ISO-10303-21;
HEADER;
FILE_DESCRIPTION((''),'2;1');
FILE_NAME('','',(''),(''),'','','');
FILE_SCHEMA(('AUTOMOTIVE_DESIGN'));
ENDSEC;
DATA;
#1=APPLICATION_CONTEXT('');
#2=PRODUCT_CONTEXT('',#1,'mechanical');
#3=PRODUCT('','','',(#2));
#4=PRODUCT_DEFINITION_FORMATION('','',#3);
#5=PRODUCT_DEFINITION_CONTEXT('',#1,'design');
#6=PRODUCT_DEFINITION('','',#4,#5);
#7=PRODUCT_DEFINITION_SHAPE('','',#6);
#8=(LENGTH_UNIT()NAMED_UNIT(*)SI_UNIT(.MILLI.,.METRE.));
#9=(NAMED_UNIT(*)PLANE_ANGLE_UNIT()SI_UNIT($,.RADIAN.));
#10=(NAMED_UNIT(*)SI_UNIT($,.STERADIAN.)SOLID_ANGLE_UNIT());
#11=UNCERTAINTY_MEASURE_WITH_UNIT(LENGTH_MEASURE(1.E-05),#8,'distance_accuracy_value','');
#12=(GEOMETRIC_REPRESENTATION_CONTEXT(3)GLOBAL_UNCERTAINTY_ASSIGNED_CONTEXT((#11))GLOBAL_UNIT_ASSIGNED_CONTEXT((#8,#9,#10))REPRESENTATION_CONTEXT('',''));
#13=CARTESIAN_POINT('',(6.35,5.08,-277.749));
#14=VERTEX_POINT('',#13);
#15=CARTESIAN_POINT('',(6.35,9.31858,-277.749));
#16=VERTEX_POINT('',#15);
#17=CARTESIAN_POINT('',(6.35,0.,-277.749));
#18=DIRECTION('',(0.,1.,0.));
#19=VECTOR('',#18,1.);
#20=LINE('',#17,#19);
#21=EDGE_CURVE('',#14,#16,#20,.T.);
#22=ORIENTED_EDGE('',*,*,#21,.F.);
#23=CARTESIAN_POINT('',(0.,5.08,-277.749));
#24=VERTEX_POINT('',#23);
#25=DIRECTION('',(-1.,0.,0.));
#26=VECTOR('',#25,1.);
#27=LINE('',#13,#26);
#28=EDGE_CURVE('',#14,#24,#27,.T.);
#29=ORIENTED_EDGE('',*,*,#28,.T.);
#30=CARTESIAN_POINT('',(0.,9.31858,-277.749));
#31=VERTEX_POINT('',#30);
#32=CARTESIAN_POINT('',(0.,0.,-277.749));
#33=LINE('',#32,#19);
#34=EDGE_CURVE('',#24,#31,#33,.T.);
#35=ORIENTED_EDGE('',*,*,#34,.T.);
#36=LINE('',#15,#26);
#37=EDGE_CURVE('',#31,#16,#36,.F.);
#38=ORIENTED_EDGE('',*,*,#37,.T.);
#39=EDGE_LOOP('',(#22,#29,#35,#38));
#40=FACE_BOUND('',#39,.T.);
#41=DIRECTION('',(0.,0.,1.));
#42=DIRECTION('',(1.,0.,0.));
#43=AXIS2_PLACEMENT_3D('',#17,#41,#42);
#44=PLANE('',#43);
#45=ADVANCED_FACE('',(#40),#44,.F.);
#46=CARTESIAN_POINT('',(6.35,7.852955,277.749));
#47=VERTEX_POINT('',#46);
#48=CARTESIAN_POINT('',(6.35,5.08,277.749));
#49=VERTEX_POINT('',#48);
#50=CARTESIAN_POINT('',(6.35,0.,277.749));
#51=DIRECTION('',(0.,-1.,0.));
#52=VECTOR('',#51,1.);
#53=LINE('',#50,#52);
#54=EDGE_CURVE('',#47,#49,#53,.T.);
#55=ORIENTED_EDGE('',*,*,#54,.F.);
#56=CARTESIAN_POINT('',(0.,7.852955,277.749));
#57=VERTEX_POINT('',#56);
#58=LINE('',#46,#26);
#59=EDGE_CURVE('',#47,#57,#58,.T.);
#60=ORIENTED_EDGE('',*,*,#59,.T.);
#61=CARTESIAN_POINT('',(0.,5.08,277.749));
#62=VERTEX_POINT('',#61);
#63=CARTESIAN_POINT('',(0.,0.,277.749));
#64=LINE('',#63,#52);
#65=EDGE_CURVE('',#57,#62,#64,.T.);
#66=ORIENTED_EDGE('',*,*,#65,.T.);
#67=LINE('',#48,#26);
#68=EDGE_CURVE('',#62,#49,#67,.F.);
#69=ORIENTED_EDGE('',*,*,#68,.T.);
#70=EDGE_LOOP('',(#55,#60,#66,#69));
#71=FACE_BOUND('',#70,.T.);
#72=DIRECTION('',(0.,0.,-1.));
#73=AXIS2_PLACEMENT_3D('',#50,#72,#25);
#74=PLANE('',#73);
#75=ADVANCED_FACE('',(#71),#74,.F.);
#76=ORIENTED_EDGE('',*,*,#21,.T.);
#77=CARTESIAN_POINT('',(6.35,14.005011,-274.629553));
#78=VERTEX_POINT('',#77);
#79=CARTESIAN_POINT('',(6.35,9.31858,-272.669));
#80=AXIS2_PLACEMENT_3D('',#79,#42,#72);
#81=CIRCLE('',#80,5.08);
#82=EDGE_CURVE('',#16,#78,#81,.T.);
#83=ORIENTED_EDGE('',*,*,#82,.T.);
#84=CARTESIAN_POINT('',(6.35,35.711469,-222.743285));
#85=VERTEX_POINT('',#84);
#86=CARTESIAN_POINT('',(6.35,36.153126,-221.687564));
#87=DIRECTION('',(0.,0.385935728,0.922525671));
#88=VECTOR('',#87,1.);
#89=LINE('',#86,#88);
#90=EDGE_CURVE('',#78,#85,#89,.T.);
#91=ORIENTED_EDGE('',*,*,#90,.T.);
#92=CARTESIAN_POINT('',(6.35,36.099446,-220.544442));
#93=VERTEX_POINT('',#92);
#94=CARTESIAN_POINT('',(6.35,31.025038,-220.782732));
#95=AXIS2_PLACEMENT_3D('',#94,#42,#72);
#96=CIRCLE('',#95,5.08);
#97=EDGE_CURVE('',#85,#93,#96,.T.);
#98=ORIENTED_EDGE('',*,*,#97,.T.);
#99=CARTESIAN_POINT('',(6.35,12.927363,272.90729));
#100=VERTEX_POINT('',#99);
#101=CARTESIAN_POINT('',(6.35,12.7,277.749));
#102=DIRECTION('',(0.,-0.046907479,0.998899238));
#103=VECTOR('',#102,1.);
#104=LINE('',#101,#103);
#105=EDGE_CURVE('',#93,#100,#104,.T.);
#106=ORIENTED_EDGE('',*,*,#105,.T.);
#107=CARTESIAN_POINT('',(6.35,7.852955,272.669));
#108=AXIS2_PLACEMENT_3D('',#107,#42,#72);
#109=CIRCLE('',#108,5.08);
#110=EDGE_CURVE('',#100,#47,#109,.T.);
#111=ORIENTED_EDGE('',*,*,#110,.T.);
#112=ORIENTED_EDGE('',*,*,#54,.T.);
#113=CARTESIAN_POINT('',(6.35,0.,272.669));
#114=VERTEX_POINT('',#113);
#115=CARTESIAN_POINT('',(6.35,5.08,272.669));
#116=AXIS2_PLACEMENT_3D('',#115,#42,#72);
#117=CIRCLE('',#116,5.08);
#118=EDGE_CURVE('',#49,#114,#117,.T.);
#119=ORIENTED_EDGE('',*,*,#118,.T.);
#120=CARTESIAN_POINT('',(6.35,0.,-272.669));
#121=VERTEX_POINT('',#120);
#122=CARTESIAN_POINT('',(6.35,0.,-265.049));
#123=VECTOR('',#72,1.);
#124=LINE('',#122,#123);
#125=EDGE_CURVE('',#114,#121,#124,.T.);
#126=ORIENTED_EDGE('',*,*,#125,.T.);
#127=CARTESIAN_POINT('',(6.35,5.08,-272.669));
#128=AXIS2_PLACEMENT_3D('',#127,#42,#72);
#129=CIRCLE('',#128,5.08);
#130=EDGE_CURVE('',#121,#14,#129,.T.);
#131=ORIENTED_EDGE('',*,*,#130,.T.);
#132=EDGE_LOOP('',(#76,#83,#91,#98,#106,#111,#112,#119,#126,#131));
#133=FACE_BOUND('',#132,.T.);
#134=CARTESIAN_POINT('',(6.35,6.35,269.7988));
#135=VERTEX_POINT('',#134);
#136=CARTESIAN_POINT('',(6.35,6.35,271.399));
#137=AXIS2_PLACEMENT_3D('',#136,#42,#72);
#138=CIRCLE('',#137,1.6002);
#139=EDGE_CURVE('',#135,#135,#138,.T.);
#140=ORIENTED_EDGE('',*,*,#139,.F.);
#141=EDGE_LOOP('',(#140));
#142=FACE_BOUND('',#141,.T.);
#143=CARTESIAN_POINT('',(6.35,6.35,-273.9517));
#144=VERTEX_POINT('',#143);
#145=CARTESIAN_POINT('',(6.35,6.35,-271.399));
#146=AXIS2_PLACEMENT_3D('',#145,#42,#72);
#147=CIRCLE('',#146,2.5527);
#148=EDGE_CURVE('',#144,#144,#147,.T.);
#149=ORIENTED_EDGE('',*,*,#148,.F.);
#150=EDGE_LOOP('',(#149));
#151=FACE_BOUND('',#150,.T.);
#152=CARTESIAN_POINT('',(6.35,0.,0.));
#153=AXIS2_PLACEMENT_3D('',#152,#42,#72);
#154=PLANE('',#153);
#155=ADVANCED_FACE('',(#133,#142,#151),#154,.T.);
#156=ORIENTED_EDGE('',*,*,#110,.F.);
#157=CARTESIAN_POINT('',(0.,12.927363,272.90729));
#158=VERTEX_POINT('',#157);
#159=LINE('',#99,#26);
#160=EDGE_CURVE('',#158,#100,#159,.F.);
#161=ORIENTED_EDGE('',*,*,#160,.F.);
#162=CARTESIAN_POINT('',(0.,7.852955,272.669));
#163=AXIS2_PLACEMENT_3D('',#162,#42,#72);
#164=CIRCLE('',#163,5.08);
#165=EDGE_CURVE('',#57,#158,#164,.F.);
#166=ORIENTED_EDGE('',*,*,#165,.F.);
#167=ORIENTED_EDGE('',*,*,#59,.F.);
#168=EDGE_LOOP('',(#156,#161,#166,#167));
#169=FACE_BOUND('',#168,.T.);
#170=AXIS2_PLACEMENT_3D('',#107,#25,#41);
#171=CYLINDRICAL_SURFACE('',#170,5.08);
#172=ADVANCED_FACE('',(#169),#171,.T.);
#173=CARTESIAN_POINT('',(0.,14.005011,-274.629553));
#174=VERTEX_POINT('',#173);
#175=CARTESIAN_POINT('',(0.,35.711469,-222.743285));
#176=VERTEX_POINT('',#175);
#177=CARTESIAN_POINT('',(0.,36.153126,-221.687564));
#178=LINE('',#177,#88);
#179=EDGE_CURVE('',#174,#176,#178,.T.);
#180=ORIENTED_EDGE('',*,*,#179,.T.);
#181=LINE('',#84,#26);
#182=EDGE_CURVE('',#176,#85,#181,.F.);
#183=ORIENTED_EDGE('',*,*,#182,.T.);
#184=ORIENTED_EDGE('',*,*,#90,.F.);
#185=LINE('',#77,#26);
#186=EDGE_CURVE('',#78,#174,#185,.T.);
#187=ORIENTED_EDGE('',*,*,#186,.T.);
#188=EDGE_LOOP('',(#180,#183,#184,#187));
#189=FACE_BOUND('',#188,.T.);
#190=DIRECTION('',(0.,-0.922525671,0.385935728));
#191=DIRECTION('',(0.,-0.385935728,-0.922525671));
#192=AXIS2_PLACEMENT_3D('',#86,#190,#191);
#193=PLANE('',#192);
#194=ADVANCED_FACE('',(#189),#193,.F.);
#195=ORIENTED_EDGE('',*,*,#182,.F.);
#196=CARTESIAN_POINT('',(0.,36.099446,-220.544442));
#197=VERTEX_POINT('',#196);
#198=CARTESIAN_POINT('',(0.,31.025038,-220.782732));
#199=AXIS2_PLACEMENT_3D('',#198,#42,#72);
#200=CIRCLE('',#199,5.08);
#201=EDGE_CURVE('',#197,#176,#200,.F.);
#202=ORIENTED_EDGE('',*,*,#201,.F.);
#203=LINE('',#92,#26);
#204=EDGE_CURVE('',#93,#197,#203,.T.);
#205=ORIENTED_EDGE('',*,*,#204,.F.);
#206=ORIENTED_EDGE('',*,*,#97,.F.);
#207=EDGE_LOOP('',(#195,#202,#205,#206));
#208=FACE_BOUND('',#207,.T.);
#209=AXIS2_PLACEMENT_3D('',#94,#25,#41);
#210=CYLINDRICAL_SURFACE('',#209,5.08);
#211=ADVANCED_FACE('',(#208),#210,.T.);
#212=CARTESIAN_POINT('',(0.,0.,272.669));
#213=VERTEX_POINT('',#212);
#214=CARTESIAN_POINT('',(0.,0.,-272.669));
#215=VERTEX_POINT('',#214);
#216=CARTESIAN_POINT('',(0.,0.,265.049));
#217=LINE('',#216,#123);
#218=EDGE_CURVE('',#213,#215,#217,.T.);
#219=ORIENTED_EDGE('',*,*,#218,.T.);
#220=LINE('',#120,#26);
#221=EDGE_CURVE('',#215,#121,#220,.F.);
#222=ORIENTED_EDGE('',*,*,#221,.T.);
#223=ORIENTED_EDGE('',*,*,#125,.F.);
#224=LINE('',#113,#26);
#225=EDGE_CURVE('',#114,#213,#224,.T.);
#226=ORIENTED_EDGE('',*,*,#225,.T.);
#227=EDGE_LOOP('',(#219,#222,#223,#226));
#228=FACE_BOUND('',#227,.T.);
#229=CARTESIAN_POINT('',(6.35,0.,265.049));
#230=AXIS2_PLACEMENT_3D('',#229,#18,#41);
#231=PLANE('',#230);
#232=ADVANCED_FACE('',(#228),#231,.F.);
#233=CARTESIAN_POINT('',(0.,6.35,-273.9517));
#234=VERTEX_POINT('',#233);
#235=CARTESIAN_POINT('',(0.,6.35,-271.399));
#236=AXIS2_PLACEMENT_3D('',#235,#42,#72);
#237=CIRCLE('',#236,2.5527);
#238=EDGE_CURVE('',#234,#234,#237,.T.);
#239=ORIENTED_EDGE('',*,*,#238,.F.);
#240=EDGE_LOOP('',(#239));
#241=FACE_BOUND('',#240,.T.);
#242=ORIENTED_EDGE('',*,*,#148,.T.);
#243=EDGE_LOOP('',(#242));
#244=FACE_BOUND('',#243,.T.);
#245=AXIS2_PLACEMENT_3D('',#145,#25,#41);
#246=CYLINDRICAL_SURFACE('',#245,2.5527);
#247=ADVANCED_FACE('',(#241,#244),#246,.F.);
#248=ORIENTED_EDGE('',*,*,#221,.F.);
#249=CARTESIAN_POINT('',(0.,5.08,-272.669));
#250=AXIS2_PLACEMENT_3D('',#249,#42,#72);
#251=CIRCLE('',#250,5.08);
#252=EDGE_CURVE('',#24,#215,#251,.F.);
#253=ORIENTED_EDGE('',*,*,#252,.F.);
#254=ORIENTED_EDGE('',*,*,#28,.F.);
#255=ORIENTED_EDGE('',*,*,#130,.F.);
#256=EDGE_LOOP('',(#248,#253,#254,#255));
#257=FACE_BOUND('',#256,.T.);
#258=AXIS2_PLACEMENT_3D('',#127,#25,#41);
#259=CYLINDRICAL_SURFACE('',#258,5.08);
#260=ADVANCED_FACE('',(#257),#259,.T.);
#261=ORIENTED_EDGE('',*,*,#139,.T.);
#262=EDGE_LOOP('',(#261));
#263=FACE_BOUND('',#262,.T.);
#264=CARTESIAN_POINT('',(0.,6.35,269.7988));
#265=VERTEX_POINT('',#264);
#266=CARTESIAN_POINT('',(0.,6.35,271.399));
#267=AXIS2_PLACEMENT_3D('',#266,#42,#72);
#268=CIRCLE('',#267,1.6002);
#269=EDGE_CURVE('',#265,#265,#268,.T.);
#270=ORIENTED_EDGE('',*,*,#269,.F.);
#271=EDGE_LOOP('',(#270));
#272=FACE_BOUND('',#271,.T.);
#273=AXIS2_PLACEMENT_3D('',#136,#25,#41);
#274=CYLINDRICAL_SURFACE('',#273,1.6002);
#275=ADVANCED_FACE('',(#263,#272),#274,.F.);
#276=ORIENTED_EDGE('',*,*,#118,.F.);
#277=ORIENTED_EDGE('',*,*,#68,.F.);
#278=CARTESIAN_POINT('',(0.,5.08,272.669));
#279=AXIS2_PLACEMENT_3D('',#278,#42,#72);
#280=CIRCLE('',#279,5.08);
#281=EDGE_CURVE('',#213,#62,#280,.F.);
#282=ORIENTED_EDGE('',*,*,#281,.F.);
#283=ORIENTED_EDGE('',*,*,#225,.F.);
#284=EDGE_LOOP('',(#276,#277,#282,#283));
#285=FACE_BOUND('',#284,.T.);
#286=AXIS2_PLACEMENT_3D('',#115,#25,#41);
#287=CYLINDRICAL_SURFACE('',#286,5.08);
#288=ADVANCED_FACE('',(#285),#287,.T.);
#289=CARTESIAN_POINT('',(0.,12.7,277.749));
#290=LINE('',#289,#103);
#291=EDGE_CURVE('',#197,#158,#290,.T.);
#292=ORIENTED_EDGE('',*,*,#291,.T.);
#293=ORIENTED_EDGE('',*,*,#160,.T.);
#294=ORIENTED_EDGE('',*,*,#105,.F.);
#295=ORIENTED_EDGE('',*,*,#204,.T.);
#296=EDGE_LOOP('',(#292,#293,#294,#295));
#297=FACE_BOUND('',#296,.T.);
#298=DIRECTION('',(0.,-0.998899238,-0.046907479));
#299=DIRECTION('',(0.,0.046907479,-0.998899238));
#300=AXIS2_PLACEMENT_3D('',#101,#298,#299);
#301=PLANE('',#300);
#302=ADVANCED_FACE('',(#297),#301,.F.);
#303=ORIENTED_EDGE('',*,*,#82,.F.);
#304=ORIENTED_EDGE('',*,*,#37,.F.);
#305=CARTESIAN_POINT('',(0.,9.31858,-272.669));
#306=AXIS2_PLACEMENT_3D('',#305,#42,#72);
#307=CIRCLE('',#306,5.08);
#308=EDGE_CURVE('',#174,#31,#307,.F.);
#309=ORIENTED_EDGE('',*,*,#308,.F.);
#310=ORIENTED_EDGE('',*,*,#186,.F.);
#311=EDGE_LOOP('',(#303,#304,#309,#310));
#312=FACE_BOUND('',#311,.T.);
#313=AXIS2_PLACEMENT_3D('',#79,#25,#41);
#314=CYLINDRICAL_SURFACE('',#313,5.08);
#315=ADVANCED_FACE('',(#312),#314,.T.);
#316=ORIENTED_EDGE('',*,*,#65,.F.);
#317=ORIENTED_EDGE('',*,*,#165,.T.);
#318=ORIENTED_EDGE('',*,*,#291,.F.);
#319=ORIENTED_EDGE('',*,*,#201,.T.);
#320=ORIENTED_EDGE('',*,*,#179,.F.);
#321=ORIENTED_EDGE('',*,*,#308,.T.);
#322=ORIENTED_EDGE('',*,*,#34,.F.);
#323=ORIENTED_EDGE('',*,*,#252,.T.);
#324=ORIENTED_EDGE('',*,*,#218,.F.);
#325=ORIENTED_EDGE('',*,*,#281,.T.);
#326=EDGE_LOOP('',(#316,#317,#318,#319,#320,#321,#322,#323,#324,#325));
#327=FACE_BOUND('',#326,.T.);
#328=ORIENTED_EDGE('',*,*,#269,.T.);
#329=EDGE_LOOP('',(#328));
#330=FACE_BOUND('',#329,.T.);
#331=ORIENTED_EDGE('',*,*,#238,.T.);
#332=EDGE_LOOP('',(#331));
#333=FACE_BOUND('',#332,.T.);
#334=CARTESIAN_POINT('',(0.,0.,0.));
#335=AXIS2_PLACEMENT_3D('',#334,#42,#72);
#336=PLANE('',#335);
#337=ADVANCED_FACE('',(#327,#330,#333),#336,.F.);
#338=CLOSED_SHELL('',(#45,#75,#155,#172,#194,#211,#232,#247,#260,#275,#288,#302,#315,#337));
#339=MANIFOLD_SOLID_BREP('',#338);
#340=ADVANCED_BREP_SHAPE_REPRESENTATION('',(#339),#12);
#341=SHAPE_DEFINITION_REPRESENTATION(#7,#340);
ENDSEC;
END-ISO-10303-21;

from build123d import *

# Parameters (mm, degrees)
SKETCH3_R           = 1.6002
SKETCH3_R_2         = 2.5527
BOSS_EXTRUDE1_DEPTH = 6.35
FILLET1_R           = 5.08


with BuildPart() as part:
    # Sketch3 → Boss-Extrude1 (new body)
    with BuildSketch(Plane(origin=(0, 0, 0), x_dir=(0, 0, -1), z_dir=(1, 0, 0))):
        Polygon((-265.049, 0), (265.049, 0), (277.749, 0), (277.749, 12.7), (221.687563823, 36.153126397), (-277.749, 12.7), (-277.749, 0), align=None)
        with Locations((-271.399, 6.35)):
            Circle(SKETCH3_R, mode=Mode.SUBTRACT)
        with Locations((271.399, 6.35)):
            Circle(SKETCH3_R_2, mode=Mode.SUBTRACT)
    extrude(amount=BOSS_EXTRUDE1_DEPTH)

    # Fillet1
    fillet1_edges = [part.edges().sort_by_distance(p)[0] for p in [
        (3.175, 0, 277.749),
        (3.175, 12.7, 277.749),
        (3.175, 36.153126397, -221.687563823),
        (3.175, 12.7, -277.749),
        (3.175, 0, -277.749),
    ]]
    fillet(fillet1_edges, radius=FILLET1_R)


solid = part.part
